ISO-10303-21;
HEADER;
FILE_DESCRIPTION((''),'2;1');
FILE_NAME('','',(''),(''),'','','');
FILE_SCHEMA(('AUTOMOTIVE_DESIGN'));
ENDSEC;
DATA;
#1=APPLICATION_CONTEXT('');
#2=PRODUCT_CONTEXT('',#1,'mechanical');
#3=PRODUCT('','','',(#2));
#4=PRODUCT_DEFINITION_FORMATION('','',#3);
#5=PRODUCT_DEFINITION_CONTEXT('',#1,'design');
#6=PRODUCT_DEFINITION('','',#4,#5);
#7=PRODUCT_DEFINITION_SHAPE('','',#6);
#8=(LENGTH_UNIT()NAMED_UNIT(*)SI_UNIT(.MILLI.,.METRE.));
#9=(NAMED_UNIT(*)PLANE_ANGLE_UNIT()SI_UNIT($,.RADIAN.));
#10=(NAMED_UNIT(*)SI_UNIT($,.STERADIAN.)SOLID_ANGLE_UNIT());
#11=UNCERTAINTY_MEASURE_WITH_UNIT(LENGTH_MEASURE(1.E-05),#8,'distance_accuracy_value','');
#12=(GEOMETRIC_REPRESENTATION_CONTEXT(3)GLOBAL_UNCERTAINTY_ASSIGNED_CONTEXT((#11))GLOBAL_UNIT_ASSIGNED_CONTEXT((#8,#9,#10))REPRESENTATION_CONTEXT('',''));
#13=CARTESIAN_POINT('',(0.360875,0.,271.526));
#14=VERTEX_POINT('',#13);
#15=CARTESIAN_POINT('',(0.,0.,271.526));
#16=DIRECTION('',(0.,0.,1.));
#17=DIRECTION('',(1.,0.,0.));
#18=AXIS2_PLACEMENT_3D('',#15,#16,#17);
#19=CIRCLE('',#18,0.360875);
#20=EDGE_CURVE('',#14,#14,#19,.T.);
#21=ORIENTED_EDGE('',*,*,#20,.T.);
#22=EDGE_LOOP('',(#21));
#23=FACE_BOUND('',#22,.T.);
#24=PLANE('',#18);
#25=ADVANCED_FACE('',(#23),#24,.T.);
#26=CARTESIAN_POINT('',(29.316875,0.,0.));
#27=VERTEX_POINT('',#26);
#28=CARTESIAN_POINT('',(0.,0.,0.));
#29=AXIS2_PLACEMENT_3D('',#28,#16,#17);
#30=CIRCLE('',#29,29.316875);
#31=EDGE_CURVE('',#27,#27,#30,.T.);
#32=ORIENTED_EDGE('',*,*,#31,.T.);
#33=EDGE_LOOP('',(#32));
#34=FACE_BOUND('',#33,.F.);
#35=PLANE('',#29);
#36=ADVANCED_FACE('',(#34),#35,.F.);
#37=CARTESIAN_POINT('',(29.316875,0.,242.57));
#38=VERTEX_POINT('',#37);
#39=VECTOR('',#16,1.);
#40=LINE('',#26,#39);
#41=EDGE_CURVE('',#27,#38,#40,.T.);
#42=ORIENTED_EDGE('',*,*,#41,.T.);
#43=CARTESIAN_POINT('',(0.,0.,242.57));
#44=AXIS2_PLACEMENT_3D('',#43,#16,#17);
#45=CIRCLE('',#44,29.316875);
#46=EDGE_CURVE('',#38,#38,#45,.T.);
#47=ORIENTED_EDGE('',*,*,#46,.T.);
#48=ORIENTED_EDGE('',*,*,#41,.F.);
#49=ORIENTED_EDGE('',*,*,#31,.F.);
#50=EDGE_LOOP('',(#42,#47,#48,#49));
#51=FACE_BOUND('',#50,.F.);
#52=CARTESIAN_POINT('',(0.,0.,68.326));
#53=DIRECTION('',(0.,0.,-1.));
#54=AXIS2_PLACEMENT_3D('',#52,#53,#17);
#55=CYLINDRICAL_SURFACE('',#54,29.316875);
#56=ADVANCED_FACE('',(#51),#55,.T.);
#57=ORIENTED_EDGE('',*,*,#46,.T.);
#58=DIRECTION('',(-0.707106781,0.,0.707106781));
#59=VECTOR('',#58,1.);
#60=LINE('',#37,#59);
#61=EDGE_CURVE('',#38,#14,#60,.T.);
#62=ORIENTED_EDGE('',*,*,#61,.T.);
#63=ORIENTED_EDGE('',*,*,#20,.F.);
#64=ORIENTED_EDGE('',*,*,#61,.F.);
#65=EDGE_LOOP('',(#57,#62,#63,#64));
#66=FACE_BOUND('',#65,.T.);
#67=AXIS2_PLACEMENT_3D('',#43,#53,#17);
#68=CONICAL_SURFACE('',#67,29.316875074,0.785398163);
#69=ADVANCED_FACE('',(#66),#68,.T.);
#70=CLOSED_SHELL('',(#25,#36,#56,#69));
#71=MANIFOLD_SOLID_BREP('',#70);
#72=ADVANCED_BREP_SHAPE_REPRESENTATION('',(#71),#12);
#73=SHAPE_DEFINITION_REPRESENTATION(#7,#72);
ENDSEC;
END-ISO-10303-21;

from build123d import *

# Parameters (mm, degrees)
F0_R     = 29.3168750736
F1_DEPTH = 68.326
F2_DEPTH = 203.2
F3_SIZE  = 28.956


with BuildPart() as f1:
    # F0 (on Top) → F1 (new body)
    with BuildSketch(Plane.XY):
        Circle(F0_R)
    extrude(amount=F1_DEPTH)

    # F2 (add): a face of the model
    f2_faces = [f1.faces().sort_by_distance(p)[0] for p in [
        (0, 0, 68.326),
    ]]
    extrude(f2_faces, amount=F2_DEPTH)

    # F3
    f3_edges = [f1.edges().sort_by_distance(p)[0] for p in [
        (-29.316875, 0, 271.526),
    ]]
    chamfer(f3_edges, length=F3_SIZE)


solid = f1.part
